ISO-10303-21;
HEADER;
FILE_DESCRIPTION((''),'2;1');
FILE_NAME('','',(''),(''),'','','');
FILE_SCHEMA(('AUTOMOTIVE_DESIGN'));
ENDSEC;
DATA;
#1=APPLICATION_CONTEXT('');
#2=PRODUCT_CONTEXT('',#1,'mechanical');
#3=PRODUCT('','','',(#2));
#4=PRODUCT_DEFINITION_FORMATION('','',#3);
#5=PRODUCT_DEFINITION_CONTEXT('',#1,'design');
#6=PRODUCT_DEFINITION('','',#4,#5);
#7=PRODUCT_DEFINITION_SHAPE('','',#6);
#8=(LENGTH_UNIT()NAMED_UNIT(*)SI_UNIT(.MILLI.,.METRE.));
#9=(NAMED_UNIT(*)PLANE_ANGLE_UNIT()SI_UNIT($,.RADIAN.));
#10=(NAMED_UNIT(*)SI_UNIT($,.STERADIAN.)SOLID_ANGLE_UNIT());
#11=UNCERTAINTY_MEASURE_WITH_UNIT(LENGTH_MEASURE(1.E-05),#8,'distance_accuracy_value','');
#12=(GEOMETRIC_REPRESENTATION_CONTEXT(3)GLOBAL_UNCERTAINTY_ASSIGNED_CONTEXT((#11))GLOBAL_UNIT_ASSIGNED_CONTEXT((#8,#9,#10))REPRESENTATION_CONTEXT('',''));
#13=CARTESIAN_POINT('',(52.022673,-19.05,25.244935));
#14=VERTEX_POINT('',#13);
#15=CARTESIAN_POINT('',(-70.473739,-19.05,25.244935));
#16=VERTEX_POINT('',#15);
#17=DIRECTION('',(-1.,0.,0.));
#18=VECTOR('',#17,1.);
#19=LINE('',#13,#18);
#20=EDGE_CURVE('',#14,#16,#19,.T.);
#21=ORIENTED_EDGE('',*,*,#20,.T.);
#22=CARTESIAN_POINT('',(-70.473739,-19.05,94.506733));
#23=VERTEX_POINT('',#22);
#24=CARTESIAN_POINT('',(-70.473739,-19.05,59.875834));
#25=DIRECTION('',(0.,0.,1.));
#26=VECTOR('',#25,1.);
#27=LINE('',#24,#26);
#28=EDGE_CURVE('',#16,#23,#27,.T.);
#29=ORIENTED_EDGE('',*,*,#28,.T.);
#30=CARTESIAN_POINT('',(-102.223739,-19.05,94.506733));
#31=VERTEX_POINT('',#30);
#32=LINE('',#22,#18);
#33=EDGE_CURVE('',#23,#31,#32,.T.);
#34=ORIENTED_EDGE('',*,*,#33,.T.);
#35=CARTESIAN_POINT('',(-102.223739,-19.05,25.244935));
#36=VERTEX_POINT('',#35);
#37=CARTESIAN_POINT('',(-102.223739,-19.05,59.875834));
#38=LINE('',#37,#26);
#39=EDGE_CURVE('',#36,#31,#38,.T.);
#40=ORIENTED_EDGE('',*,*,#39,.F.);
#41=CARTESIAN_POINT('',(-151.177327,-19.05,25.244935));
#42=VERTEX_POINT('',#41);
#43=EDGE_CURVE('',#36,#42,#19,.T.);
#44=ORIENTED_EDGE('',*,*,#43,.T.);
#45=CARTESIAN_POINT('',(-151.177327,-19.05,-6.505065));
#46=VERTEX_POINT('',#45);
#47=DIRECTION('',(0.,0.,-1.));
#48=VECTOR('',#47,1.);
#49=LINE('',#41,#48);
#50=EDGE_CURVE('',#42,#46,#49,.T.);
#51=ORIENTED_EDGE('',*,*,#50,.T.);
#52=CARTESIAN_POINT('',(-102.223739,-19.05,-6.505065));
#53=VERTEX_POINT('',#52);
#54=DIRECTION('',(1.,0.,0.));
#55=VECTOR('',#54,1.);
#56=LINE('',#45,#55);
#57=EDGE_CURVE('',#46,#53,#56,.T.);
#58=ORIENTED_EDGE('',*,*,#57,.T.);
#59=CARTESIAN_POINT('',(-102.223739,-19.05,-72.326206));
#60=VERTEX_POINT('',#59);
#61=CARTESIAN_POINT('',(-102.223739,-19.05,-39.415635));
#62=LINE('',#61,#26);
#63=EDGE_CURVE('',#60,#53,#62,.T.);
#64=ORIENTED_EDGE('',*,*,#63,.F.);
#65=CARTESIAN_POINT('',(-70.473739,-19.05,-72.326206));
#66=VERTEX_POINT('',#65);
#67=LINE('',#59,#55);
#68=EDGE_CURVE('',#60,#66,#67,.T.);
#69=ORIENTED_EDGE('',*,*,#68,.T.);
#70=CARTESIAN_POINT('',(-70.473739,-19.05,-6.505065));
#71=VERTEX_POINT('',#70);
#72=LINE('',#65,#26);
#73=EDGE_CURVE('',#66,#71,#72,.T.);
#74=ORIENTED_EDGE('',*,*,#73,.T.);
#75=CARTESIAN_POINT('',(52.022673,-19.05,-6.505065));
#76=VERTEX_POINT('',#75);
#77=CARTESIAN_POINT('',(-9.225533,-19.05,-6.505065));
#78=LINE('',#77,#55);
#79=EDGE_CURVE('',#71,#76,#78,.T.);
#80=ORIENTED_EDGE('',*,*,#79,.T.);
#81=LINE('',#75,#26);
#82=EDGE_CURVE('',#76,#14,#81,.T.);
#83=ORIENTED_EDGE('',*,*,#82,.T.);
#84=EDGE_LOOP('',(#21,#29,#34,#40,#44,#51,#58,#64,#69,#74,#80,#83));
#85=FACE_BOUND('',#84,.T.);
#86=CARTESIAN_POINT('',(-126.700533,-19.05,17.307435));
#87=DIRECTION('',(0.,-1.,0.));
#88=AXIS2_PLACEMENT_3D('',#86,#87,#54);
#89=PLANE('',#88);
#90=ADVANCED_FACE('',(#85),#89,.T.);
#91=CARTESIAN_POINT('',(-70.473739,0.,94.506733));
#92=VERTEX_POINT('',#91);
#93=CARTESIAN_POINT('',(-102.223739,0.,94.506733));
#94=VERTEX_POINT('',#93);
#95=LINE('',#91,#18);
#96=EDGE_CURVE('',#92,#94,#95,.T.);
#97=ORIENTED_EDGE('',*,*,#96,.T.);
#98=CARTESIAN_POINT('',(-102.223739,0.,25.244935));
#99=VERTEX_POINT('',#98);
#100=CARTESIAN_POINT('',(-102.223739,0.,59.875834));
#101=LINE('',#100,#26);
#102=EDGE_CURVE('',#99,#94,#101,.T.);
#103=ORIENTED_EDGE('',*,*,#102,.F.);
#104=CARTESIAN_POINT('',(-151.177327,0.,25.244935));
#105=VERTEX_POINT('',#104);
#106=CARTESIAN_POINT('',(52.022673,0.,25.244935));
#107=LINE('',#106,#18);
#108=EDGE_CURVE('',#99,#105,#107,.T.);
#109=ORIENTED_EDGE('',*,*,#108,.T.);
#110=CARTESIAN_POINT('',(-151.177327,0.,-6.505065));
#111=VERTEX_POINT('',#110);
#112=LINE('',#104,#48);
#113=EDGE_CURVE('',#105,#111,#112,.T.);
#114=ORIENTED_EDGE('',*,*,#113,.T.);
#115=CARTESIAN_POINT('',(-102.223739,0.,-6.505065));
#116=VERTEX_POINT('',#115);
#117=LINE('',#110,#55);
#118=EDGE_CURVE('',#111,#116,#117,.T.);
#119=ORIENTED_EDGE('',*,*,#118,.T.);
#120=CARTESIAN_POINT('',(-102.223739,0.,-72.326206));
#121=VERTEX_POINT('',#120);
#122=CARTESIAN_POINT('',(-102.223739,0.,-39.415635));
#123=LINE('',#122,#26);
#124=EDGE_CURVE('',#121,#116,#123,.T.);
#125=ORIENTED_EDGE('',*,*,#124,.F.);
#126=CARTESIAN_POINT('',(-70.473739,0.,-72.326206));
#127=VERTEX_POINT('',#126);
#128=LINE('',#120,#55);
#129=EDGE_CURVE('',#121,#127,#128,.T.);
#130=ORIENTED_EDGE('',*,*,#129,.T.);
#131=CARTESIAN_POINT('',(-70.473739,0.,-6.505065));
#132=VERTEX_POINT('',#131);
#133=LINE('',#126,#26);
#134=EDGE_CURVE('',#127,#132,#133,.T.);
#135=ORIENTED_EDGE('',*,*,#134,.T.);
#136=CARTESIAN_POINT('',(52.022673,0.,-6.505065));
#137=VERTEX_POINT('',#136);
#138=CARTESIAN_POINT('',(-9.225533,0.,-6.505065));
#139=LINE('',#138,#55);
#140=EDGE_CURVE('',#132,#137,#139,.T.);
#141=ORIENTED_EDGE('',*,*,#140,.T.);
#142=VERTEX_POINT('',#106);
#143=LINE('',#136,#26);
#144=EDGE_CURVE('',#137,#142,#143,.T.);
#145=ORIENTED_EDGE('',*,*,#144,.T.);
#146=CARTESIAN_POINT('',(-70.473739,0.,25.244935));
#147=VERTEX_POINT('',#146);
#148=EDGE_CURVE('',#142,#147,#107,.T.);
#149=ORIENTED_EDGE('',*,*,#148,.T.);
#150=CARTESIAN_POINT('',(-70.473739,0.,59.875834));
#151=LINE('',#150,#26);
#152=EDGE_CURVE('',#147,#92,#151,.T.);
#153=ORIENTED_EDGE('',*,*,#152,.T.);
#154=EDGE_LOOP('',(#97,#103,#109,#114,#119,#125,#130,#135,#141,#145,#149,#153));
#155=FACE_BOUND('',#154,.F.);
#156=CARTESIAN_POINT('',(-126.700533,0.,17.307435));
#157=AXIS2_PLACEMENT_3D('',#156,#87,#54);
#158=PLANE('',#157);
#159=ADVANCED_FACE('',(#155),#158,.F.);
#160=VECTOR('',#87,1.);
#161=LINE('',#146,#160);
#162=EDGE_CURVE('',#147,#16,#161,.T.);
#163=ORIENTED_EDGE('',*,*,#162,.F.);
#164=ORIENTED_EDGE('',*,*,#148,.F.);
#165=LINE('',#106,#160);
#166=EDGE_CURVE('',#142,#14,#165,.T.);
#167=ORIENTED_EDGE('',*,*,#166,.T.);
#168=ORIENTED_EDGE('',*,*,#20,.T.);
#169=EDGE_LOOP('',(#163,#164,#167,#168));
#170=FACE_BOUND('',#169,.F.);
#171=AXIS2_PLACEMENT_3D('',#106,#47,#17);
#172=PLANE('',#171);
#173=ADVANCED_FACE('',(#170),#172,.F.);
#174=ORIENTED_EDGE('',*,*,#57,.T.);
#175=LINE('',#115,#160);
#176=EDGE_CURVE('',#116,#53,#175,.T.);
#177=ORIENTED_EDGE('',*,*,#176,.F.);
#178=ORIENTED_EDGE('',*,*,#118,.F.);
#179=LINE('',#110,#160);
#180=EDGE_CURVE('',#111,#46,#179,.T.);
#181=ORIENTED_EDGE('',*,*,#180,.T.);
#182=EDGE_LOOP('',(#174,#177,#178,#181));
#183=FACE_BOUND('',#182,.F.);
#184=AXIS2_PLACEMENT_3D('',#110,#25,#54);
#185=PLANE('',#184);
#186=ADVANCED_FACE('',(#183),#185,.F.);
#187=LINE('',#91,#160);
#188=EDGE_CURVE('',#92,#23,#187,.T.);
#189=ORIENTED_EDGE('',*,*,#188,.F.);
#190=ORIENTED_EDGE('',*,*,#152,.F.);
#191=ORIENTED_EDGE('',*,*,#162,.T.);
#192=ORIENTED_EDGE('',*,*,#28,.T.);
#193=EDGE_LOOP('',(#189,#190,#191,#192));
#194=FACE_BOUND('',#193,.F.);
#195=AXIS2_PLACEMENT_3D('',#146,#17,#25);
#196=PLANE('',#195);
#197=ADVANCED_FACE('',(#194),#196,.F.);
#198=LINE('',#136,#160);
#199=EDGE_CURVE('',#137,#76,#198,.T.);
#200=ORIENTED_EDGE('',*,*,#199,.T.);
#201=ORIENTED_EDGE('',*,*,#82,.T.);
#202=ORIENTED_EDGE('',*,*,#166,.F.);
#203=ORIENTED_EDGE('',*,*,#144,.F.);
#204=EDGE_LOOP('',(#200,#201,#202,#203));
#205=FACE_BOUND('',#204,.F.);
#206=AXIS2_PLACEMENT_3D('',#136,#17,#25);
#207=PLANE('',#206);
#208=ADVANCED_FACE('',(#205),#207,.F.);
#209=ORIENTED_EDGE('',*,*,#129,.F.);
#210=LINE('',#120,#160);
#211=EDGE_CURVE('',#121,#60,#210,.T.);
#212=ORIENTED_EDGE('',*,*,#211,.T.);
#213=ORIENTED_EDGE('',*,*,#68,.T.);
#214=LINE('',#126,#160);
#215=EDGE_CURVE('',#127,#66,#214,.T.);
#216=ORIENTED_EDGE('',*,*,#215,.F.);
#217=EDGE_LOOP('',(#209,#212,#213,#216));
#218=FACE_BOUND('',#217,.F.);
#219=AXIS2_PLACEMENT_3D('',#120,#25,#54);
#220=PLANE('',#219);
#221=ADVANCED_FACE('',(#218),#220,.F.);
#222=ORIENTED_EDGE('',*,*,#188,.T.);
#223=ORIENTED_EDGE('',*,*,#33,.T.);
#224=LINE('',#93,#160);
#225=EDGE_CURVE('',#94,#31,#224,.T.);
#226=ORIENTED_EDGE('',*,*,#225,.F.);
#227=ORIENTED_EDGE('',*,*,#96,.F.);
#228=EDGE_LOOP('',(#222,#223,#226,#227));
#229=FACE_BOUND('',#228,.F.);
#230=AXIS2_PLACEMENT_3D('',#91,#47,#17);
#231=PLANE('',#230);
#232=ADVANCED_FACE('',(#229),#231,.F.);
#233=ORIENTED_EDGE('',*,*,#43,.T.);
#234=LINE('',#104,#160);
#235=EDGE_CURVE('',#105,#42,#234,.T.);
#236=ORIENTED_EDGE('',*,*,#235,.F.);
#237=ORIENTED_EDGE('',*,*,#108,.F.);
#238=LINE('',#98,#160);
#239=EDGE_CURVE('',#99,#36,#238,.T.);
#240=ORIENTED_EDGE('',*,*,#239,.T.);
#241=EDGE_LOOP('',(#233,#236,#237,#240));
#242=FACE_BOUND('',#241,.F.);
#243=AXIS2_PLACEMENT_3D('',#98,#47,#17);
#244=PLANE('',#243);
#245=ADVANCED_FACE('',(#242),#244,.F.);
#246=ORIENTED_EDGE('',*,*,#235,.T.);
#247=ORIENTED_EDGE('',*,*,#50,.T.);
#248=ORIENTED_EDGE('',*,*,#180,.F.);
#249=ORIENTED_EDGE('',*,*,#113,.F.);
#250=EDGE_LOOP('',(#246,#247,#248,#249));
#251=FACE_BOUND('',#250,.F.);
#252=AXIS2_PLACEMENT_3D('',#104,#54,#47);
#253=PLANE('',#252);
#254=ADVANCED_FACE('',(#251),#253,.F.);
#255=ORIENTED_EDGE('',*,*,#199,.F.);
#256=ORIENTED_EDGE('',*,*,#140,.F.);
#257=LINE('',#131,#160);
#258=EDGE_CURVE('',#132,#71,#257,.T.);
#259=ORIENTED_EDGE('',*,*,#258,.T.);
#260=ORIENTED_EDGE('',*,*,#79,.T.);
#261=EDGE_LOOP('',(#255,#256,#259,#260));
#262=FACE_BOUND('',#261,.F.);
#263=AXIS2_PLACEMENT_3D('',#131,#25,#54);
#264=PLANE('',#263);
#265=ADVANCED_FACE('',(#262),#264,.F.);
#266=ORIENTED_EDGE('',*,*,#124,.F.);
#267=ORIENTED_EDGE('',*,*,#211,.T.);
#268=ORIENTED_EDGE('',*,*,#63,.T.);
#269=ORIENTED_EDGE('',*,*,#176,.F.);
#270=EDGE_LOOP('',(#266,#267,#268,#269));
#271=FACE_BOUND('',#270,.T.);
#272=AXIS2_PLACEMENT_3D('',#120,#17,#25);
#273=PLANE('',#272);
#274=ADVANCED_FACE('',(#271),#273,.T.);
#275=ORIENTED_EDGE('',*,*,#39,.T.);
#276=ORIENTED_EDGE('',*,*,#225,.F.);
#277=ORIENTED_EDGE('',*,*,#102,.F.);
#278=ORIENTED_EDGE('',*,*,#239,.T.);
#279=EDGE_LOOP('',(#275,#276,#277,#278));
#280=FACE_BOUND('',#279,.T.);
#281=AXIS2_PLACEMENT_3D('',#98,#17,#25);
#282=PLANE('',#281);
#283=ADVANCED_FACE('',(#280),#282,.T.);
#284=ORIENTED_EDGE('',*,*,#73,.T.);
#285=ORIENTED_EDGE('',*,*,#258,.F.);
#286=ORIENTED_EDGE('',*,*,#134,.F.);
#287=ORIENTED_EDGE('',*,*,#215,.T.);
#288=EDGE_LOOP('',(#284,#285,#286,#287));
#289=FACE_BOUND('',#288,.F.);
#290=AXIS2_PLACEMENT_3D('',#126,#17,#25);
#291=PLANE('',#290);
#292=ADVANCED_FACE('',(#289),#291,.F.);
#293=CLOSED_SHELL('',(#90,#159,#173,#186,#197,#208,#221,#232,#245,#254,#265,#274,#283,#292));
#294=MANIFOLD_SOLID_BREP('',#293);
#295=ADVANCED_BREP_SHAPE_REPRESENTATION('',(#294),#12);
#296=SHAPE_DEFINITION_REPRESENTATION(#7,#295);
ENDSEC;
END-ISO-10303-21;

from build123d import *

# Parameters (mm, degrees)
F0_W     = 48.9535877824
F0_H     = 15.875
F0_W_2   = 15.875
F0_H_2   = 65.8211410046
F0_W_3   = 122.4964122176
F0_H_3   = 69.2617977858
F1_DEPTH = 19.05


with BuildPart() as f1:
    # F0 (on Front) → F1 (new body)
    with BuildSketch(Plane.XZ):
        with Locations((-126.7005329192, 17.3074353337)):
            Rectangle(F0_W, F0_H)
        with Locations((-126.7005329192, 1.4324353337)):
            Rectangle(F0_W, F0_H)
        with Locations((-94.286239028, 1.4324353337)):
            Rectangle(F0_W_2, F0_H)
        with Locations((-94.286239028, -39.4156351686)):
            Rectangle(F0_W_2, F0_H_2)
        with Locations((-78.411239028, -39.4156351686)):
            Rectangle(F0_W_2, F0_H_2)
        with Locations((-78.411239028, 1.4324353337)):
            Rectangle(F0_W_2, F0_H)
        with Locations((-9.2255329192, 1.4324353337)):
            Rectangle(F0_W_3, F0_H)
        with Locations((-9.2255329192, 17.3074353337)):
            Rectangle(F0_W_3, F0_H)
        with Locations((-78.411239028, 17.3074353337)):
            Rectangle(F0_W_2, F0_H)
        with Locations((-94.286239028, 17.3074353337)):
            Rectangle(F0_W_2, F0_H)
        with Locations((-78.411239028, 59.8758342266)):
            Rectangle(F0_W_2, F0_H_3)
        with Locations((-94.286239028, 59.8758342266)):
            Rectangle(F0_W_2, F0_H_3)
    extrude(amount=F1_DEPTH)


solid = f1.part
